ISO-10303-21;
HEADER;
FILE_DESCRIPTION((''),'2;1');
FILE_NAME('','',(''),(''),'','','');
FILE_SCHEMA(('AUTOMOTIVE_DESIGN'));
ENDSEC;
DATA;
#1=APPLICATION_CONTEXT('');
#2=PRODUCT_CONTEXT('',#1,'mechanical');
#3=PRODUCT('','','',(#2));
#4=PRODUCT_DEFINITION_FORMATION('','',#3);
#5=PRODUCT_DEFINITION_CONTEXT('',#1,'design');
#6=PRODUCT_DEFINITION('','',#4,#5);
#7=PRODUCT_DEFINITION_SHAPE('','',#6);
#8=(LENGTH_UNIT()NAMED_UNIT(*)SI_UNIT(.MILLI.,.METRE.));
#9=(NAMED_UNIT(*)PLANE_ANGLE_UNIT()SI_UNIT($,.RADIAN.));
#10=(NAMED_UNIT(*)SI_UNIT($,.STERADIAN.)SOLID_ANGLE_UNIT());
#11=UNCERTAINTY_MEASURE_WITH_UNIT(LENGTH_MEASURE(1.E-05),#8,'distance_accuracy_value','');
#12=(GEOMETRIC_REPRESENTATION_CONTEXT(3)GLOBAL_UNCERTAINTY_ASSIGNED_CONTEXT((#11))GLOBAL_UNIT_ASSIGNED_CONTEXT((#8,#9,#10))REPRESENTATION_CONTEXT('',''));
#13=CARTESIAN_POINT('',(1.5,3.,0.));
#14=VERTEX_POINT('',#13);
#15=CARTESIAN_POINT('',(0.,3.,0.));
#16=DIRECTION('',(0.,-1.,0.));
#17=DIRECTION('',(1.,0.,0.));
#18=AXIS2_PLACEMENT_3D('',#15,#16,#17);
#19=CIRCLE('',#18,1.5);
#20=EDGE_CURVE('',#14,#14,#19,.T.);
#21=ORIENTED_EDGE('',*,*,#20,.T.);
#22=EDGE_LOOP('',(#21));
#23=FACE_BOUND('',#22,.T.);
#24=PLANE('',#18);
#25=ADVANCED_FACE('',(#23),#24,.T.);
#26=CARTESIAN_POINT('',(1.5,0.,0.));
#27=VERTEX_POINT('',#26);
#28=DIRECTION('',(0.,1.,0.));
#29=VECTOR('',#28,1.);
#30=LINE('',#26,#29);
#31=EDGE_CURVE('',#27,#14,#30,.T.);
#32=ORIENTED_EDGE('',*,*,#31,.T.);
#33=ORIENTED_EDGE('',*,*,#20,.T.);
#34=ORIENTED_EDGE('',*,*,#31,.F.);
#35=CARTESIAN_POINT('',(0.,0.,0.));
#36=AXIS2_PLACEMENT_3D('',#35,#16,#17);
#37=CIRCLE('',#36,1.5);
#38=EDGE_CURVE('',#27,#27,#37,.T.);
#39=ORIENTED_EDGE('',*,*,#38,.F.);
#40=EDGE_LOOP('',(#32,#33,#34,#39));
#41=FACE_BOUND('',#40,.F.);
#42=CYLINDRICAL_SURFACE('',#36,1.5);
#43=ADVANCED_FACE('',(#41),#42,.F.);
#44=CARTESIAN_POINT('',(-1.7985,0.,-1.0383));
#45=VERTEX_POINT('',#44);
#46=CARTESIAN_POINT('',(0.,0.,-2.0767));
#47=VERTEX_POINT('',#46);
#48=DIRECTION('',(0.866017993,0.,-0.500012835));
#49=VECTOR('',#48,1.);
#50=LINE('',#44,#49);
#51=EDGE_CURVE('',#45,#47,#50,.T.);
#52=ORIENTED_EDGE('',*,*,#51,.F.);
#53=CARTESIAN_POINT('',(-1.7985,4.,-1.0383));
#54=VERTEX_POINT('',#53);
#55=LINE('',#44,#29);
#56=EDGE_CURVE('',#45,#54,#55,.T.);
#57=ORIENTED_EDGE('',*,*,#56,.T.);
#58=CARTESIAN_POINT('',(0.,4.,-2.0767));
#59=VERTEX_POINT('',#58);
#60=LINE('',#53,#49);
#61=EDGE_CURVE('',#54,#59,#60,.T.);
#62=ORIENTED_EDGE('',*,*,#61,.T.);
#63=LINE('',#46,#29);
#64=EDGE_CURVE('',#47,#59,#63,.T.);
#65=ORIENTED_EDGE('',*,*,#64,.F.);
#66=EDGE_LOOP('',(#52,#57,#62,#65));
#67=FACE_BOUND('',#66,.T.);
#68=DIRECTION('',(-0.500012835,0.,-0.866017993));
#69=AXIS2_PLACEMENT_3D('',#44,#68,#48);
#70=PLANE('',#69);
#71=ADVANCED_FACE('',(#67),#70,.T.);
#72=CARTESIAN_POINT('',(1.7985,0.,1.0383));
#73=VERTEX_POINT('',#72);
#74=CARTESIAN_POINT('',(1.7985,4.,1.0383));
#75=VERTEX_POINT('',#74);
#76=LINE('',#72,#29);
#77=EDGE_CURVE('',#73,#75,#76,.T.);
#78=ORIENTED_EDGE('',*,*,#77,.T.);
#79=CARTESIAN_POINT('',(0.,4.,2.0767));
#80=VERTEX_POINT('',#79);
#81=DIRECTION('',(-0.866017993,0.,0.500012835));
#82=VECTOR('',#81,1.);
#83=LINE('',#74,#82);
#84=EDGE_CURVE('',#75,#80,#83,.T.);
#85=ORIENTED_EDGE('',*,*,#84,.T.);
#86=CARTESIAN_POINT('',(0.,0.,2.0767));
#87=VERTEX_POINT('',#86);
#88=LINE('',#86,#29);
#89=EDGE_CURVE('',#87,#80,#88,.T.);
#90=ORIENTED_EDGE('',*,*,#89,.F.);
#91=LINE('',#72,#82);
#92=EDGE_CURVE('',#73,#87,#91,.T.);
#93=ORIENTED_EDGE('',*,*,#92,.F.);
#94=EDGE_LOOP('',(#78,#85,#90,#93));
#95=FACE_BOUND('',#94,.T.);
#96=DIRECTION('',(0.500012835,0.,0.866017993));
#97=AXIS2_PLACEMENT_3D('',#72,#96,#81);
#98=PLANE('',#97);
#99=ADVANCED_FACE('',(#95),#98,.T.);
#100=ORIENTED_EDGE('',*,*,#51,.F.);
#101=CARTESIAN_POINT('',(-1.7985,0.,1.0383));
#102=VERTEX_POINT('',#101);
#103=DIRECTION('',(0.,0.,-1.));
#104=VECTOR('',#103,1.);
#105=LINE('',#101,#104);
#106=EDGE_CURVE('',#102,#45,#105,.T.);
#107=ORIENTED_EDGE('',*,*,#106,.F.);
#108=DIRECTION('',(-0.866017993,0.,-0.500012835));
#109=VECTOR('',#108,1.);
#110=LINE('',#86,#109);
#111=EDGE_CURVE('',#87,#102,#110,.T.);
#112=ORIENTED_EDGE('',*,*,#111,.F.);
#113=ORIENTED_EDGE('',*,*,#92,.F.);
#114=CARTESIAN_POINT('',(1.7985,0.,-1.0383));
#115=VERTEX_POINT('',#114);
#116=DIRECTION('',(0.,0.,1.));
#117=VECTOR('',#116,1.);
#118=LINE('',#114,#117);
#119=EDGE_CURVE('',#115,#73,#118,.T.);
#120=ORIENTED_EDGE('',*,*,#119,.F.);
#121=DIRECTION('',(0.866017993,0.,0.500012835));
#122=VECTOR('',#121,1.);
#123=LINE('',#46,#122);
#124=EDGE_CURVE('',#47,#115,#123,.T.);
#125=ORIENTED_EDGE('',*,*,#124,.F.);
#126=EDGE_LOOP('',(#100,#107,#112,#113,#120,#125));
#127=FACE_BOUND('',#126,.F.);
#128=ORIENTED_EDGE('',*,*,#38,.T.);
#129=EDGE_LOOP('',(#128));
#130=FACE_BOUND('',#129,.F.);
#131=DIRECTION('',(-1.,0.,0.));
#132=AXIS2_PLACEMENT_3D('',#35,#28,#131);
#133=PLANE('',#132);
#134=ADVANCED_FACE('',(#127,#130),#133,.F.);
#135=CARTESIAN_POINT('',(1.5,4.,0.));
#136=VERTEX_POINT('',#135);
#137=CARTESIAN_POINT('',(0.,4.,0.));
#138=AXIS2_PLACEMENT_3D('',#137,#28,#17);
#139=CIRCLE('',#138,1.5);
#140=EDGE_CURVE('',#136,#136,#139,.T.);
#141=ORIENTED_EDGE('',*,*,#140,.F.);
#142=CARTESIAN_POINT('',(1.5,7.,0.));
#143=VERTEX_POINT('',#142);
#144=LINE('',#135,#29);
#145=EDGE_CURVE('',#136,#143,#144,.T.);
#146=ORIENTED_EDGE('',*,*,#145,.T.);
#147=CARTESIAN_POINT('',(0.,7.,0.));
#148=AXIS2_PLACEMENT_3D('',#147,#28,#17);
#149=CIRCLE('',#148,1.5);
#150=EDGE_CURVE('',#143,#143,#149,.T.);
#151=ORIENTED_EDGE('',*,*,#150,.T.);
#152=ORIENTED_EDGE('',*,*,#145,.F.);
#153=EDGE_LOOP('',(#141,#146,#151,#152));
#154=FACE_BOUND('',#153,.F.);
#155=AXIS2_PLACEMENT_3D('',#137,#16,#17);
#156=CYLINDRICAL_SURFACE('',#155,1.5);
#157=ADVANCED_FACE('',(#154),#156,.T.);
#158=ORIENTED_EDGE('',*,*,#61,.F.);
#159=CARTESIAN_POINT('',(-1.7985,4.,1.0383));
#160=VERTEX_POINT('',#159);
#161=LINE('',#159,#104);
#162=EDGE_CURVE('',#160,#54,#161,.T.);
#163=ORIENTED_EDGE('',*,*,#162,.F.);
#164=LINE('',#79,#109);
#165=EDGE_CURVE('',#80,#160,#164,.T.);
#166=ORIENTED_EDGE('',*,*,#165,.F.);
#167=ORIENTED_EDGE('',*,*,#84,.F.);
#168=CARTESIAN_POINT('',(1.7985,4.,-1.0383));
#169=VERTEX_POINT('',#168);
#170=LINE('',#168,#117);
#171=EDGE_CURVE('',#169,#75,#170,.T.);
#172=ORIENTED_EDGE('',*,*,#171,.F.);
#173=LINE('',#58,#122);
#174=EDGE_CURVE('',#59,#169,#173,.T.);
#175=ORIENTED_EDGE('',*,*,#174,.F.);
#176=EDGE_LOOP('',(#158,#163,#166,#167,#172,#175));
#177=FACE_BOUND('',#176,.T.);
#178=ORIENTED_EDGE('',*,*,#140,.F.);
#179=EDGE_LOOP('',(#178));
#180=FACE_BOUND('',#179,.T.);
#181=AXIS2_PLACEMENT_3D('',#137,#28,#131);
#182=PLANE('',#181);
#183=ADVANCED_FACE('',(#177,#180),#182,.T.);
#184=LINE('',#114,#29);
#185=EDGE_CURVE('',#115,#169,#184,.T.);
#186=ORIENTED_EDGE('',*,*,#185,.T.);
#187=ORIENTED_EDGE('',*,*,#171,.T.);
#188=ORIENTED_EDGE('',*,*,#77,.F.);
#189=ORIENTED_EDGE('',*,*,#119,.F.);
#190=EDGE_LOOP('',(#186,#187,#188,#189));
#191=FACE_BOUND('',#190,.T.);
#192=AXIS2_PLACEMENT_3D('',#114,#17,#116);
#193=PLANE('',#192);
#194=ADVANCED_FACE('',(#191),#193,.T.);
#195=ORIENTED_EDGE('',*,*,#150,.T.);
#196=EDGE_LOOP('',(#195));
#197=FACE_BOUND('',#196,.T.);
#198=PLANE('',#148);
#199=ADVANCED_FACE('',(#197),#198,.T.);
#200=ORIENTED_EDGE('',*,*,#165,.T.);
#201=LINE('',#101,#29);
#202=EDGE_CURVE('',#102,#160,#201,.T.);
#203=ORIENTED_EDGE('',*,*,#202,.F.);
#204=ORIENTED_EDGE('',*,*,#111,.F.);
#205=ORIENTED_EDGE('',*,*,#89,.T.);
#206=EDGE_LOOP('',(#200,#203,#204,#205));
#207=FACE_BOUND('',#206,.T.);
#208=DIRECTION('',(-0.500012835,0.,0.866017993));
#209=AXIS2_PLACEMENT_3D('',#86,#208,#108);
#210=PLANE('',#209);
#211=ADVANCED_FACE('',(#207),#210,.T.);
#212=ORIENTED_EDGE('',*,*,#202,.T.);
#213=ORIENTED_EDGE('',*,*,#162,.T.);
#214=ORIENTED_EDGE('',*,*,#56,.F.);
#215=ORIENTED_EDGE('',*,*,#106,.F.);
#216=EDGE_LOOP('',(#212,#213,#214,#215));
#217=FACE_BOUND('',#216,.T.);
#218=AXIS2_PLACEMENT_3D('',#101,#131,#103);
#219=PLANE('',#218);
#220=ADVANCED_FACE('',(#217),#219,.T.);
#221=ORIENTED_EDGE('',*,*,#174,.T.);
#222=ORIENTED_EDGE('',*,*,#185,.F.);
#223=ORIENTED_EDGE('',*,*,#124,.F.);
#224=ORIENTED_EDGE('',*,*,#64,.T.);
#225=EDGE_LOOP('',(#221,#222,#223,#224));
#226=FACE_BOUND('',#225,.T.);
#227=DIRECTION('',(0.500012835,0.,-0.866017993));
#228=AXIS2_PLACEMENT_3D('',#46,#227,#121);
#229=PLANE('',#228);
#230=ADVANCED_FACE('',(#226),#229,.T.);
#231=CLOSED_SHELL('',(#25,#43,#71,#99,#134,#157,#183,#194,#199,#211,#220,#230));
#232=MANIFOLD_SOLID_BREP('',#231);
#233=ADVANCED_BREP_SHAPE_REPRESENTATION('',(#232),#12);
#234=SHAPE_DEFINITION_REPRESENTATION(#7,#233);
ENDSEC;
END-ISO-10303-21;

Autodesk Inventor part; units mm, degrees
ref_plane "YZ Plane" through (0, 0, 0) normal (1, 0, 0) x (0, 1, 0)
ref_plane "XZ Plane" through (0, 0, 0) normal (0, 1, 0) x (-1, 0, 0)
ref_plane "XY Plane" through (0, 0, 0) normal (0, 0, 1) x (1, 0, 0)
sketch "Sketch1" plane through (0, 0, 0) normal (0, 1, 0) x (-1, 0, 0)
  line L0 (1.7985, -1.0383) -> (0, -2.0767)
  line L1 (0, -2.0767) -> (-1.7985, -1.0383)
  line L2 (-1.7985, -1.0383) -> (-1.7985, 1.0383)
  line L3 (-1.7985, 1.0383) -> (0, 2.0767)
  line L4 (0, 2.0767) -> (1.7985, 1.0383)
  line L5 (1.7985, 1.0383) -> (1.7985, -1.0383)
  point P0 (0, 0)
  point P1 (0, 0)
  point P2 (0, 0)
extrude "Extrusion1" add sketch "Sketch1" along normal blind 4
sketch "Sketch2" plane through (0, 4, 0) normal (0, 1, 0) x (1, 0, 0)
  circle A0 centre (0, 0) radius 1.5
  dimension "d3" = 3
extrude "Extrusion2" add sketch "Sketch2" along normal blind 3
thread "Thread1" size "M3x0.35" class "6g" standard "ANSI Metric M Profile" full length
sketch "Sketch3" plane through (0, 0, 0) normal (0, -1, 0) x (1, 0, 0)
  circle A0 centre (0, 0) radius 1.5
  dimension "d8" = 3
extrude "Extrusion3" cut sketch "Sketch3" against normal blind 3
thread "Thread2" size "M3x0.35" class "6H" standard "ANSI Metric M Profile" full length
properties part number "Standoff"
